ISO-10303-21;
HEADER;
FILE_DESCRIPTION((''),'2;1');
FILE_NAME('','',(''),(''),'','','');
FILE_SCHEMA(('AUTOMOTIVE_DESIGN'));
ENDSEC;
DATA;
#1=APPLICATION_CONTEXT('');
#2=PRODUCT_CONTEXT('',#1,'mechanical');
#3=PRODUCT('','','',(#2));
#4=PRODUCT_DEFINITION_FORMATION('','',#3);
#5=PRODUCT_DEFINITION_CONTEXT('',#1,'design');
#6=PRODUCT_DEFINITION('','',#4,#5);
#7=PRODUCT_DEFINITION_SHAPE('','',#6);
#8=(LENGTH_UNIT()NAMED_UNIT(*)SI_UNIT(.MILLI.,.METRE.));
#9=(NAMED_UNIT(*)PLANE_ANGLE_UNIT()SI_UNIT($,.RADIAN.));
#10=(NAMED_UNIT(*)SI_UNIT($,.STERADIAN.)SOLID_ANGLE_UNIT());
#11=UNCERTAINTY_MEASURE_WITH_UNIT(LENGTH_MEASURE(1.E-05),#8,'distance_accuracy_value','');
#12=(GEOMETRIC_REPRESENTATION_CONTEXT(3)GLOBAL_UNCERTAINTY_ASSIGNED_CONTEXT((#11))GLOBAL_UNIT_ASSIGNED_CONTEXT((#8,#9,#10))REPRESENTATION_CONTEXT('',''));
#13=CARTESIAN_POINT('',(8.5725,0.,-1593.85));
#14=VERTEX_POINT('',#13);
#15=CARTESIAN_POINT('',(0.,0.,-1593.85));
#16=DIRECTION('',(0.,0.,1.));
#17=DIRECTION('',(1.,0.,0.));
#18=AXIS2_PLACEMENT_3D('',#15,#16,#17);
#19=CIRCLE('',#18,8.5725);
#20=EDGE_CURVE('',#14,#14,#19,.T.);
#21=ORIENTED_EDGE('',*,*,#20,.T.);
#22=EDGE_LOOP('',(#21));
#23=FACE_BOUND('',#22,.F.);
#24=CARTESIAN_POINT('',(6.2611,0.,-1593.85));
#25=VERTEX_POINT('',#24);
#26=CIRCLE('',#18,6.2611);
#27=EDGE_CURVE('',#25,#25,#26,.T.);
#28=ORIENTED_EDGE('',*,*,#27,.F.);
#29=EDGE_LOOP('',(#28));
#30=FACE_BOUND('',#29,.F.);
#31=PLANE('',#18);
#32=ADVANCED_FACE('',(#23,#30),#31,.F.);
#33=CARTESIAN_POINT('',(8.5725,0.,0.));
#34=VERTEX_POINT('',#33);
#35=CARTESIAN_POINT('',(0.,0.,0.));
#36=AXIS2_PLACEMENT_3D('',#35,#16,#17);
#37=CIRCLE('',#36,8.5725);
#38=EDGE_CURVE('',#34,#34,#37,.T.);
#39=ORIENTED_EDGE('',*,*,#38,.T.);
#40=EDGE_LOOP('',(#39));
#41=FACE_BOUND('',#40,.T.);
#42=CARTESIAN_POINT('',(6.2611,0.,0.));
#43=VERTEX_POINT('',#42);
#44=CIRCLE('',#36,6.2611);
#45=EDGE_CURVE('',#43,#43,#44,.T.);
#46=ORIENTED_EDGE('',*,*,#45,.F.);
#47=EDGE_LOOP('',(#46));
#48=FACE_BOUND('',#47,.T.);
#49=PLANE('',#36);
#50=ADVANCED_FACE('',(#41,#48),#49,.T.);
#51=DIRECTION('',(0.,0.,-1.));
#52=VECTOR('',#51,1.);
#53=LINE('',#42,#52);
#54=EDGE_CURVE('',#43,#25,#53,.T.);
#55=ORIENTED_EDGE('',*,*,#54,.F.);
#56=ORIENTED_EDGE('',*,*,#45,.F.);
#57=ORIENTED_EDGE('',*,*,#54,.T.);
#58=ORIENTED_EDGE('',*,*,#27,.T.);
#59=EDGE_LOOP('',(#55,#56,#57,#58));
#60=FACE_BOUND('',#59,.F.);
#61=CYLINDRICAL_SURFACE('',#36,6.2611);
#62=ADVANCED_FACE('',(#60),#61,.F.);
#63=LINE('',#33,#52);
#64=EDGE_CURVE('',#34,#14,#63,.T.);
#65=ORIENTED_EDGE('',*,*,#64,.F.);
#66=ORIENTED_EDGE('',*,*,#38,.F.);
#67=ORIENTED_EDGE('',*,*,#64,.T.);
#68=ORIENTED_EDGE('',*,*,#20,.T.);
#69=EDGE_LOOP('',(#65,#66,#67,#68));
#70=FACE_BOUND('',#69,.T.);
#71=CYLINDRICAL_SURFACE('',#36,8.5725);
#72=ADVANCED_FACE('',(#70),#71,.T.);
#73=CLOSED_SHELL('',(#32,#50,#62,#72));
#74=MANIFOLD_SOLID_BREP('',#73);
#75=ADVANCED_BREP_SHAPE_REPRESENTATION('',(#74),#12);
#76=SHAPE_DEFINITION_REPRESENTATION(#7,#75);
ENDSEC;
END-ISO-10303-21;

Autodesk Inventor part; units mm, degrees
ref_plane "YZ Plane" through (0, 0, 0) normal (1, 0, 0) x (0, 1, 0)
ref_plane "XZ Plane" through (0, 0, 0) normal (0, 1, 0) x (-1, 0, 0)
ref_plane "XY Plane" through (0, 0, 0) normal (0, 0, 1) x (1, 0, 0)
sketch "Sketch1" plane through (0, 0, 0) normal (0, 0, 1) x (1, 0, 0)
  circle A0 centre (0, 0) radius 8.5725
  circle A1 centre (0, 0) radius 6.2611
  dimension "d0" = 17.145
  dimension "d2" = 2.3114
extrude "Extrusion1" add sketch "Sketch1" against normal blind 1593.85
properties part number "GE-13064"
